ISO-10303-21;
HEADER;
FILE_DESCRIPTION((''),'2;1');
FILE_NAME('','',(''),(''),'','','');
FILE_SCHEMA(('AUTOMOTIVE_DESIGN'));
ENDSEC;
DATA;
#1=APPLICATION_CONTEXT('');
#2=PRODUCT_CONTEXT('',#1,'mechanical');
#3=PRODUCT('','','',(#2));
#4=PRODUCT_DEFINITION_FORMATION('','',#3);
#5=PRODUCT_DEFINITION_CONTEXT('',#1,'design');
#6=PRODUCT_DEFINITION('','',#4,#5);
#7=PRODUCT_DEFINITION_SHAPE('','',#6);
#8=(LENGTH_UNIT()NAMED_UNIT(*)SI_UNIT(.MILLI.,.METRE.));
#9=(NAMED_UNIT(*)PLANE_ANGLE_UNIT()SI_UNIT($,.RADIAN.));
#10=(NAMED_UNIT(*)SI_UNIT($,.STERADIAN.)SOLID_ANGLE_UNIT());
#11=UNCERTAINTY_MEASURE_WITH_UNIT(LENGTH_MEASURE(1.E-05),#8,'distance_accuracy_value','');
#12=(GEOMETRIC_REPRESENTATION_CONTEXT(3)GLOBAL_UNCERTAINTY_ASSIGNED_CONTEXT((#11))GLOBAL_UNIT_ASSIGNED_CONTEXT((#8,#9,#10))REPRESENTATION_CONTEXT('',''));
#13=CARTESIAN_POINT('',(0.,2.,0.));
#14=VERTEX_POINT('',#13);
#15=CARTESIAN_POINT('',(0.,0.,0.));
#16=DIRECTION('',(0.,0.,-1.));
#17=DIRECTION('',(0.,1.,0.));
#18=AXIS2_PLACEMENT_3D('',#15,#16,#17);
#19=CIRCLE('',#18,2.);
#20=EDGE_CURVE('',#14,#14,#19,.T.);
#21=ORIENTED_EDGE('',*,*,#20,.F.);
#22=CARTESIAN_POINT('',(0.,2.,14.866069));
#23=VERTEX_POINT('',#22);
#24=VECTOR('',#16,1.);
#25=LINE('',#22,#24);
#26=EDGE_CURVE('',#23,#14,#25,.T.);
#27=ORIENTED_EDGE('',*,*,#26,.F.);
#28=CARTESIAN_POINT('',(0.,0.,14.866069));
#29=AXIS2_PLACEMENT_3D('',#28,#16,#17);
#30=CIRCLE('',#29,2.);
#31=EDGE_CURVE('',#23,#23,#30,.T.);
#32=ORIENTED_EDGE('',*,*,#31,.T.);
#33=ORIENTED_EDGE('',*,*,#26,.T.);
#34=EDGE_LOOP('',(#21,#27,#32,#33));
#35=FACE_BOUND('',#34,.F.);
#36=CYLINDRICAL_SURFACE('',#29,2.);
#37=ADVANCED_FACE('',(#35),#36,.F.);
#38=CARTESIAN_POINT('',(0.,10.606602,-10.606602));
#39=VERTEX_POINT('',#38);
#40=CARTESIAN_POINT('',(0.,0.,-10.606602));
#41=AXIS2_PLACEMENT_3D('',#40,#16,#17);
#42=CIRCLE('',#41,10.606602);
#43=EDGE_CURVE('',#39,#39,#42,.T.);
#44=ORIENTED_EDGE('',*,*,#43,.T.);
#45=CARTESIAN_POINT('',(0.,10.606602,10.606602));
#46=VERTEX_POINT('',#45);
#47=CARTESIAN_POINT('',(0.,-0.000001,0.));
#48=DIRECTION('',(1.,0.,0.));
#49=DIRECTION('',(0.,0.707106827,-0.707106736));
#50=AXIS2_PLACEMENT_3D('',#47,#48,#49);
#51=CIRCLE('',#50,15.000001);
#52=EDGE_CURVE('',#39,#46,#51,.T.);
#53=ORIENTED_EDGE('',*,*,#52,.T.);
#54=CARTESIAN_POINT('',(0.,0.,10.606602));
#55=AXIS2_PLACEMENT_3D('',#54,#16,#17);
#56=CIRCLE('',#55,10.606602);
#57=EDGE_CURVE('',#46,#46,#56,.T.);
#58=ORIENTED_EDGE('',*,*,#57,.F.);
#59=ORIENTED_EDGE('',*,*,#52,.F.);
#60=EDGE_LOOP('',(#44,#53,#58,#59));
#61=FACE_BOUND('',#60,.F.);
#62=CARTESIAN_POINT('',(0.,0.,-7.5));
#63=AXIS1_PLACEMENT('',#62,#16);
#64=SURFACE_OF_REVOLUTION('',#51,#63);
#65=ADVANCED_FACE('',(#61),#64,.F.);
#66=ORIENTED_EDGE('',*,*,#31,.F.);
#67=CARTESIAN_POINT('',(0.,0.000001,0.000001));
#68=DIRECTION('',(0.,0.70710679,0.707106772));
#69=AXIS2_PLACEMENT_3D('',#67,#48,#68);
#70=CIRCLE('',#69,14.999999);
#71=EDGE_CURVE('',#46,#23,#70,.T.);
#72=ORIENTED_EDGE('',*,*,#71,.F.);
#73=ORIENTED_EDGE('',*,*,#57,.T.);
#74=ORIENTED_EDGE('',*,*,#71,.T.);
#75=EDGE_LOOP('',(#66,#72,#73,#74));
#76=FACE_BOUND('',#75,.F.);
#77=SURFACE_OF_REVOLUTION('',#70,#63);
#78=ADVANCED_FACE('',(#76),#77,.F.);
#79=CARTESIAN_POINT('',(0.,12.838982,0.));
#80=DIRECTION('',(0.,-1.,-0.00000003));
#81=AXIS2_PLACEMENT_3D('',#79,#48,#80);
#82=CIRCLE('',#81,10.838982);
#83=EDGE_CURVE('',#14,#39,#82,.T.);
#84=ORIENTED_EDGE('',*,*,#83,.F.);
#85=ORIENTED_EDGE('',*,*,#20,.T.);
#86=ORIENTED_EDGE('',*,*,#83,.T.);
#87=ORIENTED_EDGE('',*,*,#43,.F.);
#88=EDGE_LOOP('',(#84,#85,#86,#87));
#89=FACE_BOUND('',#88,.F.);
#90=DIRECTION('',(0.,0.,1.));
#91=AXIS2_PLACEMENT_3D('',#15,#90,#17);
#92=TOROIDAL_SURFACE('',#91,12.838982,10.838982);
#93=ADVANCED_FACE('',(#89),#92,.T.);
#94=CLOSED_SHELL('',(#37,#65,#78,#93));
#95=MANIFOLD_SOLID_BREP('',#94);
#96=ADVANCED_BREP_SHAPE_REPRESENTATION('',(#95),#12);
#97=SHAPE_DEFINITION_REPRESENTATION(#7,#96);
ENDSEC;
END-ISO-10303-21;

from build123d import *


with BuildPart() as f1:
    # F0 (on Right) → F1 (revolve)
    with BuildSketch(Plane.YZ):
        with BuildLine():
            ThreePointArc((10.606602, -10.606602), (15, 0), (10.606602, 10.606602))
            ThreePointArc((10.606602, 10.606602), (6.653373, 13.443684), (2, 14.866069))
            Line((2, 14.866069), (2, 0))
            ThreePointArc((2, 0), (4.422324, -6.829597), (10.606602, -10.606602))
        make_face()
    revolve(axis=Axis((0, 0, -7.5), (0, 0, -1)))


solid = f1.part
